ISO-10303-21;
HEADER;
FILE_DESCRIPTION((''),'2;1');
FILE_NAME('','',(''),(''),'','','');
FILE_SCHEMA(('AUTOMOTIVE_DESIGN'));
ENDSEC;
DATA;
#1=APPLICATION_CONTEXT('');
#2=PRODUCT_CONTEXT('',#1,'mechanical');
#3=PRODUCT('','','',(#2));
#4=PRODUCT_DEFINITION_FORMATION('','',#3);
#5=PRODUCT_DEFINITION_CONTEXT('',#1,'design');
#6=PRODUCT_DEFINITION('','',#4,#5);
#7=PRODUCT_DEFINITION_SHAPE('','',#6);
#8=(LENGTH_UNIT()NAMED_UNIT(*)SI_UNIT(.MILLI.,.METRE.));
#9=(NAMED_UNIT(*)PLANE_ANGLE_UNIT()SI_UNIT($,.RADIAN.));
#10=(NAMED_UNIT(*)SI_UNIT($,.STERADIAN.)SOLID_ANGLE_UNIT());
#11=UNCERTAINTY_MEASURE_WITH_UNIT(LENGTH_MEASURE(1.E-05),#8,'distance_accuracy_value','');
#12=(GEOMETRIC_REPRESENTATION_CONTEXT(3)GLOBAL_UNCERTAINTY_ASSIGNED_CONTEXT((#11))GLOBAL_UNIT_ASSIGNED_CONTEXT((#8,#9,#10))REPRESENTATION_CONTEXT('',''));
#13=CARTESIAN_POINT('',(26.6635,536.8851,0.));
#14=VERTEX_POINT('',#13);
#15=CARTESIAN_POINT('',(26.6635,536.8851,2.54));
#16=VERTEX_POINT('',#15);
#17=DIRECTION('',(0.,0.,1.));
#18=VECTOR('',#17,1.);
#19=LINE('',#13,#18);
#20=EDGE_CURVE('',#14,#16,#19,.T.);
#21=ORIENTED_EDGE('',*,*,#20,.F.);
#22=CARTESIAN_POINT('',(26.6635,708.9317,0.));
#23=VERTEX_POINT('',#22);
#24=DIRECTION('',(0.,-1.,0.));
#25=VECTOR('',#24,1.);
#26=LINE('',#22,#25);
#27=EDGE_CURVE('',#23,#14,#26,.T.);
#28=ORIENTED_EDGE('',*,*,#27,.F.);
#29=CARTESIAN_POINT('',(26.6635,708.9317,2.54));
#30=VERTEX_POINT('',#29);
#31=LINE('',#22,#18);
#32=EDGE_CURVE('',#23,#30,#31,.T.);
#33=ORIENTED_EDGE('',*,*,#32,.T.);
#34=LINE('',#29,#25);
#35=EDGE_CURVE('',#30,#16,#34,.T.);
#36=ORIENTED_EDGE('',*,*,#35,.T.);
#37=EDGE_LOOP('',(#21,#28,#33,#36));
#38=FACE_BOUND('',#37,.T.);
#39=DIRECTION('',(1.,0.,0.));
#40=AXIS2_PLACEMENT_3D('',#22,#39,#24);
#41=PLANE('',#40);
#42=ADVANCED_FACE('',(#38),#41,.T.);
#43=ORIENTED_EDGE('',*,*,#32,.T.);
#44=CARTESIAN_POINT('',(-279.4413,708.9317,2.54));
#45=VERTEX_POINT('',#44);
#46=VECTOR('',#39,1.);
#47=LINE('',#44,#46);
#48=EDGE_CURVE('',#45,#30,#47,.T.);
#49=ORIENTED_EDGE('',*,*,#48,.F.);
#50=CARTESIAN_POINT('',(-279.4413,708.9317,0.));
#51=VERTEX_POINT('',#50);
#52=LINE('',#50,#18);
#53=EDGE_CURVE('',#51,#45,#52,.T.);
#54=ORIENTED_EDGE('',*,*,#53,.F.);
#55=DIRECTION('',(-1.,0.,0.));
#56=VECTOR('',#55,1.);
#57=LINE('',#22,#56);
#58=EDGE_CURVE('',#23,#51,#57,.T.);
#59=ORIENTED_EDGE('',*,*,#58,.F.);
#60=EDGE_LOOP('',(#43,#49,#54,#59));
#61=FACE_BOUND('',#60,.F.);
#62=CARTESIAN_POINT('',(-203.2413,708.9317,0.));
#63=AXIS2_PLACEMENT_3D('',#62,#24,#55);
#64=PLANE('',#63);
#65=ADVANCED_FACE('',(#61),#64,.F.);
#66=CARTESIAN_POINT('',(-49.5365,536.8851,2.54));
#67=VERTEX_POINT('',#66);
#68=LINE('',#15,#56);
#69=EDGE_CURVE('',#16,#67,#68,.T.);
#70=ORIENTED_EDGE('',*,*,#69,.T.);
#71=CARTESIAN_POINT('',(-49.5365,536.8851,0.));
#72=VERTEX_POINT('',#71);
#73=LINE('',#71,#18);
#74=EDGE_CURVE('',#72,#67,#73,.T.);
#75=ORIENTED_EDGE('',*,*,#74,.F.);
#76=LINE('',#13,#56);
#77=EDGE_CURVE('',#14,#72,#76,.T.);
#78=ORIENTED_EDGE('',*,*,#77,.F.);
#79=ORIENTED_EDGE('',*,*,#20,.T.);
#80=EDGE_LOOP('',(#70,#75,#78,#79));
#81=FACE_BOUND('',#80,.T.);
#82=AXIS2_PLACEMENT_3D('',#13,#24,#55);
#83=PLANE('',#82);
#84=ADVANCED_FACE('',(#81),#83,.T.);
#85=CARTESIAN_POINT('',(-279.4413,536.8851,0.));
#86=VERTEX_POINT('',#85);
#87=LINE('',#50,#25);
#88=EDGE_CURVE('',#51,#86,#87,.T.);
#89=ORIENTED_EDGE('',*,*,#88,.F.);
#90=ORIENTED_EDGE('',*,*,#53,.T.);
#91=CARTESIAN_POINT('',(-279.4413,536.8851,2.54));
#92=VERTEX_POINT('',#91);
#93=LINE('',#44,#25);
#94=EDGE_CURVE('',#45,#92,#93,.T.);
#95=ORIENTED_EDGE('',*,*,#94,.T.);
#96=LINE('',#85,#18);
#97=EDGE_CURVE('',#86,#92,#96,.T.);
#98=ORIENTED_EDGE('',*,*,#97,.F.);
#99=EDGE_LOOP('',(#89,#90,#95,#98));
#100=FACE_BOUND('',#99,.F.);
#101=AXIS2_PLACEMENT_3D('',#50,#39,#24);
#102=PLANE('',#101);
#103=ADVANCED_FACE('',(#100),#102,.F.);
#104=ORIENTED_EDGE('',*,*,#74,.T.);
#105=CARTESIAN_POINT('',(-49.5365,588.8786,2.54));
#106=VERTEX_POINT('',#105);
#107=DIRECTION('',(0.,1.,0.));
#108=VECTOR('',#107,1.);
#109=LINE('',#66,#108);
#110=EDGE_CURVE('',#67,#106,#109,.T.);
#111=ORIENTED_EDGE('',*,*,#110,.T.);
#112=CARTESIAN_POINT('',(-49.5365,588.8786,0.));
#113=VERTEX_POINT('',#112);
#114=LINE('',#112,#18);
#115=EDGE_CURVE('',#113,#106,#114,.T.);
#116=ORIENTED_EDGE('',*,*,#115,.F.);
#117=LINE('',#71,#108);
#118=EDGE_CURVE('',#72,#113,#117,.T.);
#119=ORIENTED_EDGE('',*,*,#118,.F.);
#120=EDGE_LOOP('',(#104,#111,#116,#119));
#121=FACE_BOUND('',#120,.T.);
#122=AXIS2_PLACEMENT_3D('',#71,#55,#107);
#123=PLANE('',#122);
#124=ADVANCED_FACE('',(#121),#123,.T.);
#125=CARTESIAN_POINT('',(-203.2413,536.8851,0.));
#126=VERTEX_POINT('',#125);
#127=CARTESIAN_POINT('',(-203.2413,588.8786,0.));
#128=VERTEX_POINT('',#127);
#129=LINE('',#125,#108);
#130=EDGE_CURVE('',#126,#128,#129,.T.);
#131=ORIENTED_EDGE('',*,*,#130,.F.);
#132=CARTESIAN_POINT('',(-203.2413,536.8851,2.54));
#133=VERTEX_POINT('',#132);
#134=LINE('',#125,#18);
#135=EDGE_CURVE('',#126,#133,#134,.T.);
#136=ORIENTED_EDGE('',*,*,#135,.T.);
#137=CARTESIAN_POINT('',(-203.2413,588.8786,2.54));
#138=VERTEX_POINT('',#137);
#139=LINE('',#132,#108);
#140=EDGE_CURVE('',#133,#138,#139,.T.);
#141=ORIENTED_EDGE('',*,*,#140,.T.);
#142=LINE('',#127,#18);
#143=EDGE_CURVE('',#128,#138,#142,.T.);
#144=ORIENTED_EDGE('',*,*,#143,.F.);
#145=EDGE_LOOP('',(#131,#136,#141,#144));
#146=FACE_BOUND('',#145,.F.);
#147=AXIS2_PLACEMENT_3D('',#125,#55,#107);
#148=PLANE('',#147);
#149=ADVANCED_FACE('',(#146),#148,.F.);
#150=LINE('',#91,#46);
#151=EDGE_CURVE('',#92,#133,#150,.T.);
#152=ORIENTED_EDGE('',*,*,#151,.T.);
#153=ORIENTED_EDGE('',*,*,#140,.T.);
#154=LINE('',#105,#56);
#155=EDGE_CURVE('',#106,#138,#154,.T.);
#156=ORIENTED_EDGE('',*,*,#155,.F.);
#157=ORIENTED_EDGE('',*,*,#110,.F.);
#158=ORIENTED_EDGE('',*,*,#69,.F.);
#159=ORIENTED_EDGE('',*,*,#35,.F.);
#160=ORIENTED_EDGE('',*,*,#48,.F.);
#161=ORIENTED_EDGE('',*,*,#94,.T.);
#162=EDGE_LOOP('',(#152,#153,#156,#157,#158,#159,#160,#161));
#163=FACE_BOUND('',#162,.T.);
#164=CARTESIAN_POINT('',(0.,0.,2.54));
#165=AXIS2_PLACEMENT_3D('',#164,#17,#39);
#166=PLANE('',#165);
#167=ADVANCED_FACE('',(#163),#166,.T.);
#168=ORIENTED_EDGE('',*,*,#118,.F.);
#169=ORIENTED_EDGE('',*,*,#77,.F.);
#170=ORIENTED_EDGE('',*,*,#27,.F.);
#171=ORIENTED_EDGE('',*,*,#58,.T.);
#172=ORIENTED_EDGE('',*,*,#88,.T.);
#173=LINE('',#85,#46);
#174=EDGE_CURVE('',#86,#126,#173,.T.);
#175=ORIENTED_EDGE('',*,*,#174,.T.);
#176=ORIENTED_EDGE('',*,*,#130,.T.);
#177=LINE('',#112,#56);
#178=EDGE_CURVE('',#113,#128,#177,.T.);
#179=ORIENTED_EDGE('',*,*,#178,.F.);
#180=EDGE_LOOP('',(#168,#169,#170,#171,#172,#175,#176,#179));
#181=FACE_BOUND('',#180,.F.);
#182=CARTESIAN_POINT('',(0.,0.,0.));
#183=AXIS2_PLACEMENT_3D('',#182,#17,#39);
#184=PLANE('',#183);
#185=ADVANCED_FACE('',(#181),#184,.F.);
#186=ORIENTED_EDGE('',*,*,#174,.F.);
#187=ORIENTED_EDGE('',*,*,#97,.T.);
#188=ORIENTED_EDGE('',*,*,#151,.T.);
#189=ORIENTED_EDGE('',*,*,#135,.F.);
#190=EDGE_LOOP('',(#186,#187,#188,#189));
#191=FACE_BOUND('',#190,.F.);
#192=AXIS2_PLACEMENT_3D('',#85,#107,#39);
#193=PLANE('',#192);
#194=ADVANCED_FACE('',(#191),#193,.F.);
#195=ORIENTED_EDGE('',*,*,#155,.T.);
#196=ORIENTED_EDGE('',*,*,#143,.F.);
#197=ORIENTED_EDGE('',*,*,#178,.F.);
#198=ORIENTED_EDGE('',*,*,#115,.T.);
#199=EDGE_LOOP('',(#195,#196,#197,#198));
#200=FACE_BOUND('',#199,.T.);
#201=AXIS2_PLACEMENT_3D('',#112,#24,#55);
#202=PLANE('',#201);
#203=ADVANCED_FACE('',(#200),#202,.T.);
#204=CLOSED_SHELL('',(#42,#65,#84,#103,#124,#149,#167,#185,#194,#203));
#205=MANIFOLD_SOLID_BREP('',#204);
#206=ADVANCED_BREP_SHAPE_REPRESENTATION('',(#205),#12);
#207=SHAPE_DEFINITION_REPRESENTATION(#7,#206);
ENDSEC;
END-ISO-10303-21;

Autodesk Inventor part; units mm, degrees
ref_plane "YZ Plane" through (0, 0, 0) normal (1, 0, 0) x (0, 1, 0)
ref_plane "XZ Plane" through (0, 0, 0) normal (0, 1, 0) x (-1, 0, 0)
ref_plane "XY Plane" through (0, 0, 0) normal (0, 0, 1) x (1, 0, 0)
sketch "Sketch1" plane through (0, 0, 0) normal (0, 0, 1) x (1, 0, 0)
  line L0 (-279.4413, 536.8851) -> (-203.2413, 536.8851)
  line L1 (-203.2413, 536.8851) -> (-203.2413, 708.9317)
  line L2 (-203.2413, 708.9317) -> (-279.4413, 708.9317)
  line L3 (-279.4413, 708.9317) -> (-279.4413, 536.8851)
  line L4 (-203.2413, 708.9317) -> (-49.5365, 708.9317)
  line L5 (-49.5365, 708.9317) -> (-49.5365, 588.8786)
  line L6 (-49.5365, 588.8786) -> (-203.2413, 588.8786)
  line L7 (-203.2413, 588.8786) -> (-203.2413, 708.9317)
  line L8 (-49.5365, 708.9317) -> (26.6635, 708.9317)
  line L9 (26.6635, 708.9317) -> (26.6635, 536.8851)
  line L10 (26.6635, 536.8851) -> (-49.5365, 536.8851)
  line L11 (-49.5365, 536.8851) -> (-49.5365, 708.9317)
  point P0 (0, 0)
  dimension "d0" = 76.2
  dimension "d1" = 76.2
extrude "Extrusion1" add sketch "Sketch1" along normal blind 2.54
properties part number "plexiglass3"
